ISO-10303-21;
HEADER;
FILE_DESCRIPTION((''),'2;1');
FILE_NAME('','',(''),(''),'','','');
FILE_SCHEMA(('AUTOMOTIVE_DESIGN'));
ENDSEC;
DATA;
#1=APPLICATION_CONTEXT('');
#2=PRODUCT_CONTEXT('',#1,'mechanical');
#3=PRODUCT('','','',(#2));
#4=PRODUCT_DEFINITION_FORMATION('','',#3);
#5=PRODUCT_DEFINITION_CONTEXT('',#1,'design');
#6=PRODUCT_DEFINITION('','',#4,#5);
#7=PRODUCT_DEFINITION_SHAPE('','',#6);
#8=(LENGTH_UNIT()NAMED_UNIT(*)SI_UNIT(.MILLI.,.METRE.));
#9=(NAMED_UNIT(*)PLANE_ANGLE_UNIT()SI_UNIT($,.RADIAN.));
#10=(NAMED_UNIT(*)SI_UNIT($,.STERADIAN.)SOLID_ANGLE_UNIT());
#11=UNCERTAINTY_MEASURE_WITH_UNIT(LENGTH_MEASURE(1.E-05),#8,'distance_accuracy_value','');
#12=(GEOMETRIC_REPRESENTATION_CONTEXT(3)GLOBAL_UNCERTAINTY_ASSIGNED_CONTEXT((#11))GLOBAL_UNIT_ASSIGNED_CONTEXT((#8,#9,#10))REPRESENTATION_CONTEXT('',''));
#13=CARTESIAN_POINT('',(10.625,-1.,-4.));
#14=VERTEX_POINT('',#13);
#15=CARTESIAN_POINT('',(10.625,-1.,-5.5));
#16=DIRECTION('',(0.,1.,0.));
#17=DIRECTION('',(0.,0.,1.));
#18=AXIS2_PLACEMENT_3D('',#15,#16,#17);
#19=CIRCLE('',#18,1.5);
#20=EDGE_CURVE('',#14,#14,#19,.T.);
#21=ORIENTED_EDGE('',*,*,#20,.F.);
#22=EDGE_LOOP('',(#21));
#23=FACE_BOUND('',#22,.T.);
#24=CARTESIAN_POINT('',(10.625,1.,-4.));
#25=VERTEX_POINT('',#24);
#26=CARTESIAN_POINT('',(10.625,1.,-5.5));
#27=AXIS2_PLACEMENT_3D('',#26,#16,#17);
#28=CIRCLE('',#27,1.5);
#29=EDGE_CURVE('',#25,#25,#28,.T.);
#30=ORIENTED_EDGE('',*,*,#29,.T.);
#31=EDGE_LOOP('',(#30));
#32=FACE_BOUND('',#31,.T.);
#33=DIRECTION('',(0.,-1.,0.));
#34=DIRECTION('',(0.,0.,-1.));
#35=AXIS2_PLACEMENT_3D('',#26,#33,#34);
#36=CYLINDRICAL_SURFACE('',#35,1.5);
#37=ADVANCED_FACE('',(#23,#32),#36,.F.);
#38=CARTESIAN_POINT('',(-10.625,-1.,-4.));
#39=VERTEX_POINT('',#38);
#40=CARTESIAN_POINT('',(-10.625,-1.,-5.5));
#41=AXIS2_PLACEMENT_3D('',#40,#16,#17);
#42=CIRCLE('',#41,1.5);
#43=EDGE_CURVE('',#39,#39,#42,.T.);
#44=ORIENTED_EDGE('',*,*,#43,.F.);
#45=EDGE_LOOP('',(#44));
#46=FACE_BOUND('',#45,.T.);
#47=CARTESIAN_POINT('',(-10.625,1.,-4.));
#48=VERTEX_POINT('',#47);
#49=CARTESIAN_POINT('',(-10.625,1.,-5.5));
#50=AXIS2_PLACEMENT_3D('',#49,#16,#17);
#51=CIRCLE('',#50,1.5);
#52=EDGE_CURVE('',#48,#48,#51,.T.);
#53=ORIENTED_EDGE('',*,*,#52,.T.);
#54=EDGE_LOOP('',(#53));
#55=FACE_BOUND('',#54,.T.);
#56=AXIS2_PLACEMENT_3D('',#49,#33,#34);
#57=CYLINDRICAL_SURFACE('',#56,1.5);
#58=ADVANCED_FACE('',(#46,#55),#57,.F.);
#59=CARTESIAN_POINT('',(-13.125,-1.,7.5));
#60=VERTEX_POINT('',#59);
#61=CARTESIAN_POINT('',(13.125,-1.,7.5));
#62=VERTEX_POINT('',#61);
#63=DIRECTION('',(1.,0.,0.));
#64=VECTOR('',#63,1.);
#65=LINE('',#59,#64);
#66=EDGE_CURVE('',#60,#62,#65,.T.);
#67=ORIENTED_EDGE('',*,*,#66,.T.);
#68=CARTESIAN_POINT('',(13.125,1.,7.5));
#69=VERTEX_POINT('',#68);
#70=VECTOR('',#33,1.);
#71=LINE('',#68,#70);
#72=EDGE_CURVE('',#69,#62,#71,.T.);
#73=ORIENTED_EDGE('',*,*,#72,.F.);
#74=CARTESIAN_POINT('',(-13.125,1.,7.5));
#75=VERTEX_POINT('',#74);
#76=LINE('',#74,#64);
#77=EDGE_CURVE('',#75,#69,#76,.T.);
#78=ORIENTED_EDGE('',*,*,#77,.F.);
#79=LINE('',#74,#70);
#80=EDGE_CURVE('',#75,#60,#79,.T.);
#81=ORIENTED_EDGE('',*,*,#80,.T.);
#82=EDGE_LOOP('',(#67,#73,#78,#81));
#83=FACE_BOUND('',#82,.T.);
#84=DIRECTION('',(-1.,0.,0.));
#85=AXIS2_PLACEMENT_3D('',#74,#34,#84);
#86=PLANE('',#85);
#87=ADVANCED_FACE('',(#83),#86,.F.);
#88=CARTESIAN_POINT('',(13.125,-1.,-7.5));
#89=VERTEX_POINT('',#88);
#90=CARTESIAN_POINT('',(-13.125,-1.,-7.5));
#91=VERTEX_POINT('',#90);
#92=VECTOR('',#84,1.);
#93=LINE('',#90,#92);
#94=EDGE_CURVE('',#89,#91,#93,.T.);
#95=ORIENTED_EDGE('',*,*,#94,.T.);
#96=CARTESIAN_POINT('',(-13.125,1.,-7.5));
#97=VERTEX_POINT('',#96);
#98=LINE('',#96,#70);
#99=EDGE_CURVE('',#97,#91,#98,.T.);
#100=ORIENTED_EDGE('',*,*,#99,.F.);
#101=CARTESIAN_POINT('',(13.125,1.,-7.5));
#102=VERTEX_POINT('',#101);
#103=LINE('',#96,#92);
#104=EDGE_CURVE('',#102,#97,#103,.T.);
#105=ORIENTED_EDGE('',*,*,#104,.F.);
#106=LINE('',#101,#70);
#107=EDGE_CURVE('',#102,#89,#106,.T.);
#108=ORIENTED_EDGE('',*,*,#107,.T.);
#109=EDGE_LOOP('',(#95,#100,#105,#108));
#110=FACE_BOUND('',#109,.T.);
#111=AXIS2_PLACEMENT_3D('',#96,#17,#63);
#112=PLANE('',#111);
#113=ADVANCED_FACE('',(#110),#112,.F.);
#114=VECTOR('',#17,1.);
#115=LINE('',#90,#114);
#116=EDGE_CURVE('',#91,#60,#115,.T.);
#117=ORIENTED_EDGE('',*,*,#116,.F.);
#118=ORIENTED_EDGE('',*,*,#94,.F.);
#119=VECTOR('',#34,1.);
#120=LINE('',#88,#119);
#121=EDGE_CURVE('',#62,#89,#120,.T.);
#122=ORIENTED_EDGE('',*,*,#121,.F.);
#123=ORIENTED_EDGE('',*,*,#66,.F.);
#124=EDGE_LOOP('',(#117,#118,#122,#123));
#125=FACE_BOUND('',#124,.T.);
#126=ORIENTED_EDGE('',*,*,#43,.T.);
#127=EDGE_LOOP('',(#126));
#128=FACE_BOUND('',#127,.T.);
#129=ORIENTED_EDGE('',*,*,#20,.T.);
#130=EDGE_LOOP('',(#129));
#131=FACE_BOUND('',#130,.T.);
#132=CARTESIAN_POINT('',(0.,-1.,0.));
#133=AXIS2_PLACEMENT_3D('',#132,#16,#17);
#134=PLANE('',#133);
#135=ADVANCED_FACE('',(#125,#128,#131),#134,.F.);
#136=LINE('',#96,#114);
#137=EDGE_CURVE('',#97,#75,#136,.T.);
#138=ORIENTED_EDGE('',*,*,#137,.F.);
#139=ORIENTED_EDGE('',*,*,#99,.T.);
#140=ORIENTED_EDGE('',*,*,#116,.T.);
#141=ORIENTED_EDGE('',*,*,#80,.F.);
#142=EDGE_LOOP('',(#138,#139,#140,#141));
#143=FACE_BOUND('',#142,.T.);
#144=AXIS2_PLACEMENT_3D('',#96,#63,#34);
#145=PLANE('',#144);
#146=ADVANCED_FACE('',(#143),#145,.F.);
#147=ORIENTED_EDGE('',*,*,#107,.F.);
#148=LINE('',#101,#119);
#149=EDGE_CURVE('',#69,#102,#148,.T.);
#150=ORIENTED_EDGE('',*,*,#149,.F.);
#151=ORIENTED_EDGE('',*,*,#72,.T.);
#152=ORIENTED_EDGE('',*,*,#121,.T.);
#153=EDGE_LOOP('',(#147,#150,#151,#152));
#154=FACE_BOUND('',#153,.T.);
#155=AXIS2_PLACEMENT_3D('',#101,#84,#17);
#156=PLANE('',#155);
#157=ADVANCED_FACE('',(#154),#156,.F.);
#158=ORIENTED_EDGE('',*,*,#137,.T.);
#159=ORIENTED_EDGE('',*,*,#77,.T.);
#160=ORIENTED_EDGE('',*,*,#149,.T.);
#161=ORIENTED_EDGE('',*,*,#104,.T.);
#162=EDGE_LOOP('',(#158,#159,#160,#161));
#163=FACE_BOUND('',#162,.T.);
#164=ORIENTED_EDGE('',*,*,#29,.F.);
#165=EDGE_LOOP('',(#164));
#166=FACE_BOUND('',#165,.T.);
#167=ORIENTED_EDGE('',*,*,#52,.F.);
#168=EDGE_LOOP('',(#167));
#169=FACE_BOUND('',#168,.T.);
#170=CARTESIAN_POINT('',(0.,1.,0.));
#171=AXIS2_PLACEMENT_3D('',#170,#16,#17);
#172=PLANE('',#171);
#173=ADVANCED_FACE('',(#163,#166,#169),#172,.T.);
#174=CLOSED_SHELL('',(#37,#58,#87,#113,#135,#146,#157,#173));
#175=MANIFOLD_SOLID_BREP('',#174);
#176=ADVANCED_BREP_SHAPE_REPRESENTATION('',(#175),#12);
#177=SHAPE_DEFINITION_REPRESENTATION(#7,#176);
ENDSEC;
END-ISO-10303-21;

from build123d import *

# Parameters (mm, degrees)
SKETCH1_W           = 26.25
SKETCH1_H           = 15
SKETCH1_R           = 1.5
BOSS_EXTRUDE1_DEPTH = 1


with BuildPart() as part:
    # Sketch1 → Boss-Extrude1 (new body, symmetric)
    with BuildSketch(Plane(origin=(0, 0, 0), x_dir=(1, 0, 0), z_dir=(0, 1, 0))):
        Rectangle(SKETCH1_W, SKETCH1_H)
        with Locations((-10.625, 5.5)):
            Circle(SKETCH1_R, mode=Mode.SUBTRACT)
        with Locations((10.625, 5.5)):
            Circle(SKETCH1_R, mode=Mode.SUBTRACT)
    extrude(amount=BOSS_EXTRUDE1_DEPTH, both=True)


solid = part.part
